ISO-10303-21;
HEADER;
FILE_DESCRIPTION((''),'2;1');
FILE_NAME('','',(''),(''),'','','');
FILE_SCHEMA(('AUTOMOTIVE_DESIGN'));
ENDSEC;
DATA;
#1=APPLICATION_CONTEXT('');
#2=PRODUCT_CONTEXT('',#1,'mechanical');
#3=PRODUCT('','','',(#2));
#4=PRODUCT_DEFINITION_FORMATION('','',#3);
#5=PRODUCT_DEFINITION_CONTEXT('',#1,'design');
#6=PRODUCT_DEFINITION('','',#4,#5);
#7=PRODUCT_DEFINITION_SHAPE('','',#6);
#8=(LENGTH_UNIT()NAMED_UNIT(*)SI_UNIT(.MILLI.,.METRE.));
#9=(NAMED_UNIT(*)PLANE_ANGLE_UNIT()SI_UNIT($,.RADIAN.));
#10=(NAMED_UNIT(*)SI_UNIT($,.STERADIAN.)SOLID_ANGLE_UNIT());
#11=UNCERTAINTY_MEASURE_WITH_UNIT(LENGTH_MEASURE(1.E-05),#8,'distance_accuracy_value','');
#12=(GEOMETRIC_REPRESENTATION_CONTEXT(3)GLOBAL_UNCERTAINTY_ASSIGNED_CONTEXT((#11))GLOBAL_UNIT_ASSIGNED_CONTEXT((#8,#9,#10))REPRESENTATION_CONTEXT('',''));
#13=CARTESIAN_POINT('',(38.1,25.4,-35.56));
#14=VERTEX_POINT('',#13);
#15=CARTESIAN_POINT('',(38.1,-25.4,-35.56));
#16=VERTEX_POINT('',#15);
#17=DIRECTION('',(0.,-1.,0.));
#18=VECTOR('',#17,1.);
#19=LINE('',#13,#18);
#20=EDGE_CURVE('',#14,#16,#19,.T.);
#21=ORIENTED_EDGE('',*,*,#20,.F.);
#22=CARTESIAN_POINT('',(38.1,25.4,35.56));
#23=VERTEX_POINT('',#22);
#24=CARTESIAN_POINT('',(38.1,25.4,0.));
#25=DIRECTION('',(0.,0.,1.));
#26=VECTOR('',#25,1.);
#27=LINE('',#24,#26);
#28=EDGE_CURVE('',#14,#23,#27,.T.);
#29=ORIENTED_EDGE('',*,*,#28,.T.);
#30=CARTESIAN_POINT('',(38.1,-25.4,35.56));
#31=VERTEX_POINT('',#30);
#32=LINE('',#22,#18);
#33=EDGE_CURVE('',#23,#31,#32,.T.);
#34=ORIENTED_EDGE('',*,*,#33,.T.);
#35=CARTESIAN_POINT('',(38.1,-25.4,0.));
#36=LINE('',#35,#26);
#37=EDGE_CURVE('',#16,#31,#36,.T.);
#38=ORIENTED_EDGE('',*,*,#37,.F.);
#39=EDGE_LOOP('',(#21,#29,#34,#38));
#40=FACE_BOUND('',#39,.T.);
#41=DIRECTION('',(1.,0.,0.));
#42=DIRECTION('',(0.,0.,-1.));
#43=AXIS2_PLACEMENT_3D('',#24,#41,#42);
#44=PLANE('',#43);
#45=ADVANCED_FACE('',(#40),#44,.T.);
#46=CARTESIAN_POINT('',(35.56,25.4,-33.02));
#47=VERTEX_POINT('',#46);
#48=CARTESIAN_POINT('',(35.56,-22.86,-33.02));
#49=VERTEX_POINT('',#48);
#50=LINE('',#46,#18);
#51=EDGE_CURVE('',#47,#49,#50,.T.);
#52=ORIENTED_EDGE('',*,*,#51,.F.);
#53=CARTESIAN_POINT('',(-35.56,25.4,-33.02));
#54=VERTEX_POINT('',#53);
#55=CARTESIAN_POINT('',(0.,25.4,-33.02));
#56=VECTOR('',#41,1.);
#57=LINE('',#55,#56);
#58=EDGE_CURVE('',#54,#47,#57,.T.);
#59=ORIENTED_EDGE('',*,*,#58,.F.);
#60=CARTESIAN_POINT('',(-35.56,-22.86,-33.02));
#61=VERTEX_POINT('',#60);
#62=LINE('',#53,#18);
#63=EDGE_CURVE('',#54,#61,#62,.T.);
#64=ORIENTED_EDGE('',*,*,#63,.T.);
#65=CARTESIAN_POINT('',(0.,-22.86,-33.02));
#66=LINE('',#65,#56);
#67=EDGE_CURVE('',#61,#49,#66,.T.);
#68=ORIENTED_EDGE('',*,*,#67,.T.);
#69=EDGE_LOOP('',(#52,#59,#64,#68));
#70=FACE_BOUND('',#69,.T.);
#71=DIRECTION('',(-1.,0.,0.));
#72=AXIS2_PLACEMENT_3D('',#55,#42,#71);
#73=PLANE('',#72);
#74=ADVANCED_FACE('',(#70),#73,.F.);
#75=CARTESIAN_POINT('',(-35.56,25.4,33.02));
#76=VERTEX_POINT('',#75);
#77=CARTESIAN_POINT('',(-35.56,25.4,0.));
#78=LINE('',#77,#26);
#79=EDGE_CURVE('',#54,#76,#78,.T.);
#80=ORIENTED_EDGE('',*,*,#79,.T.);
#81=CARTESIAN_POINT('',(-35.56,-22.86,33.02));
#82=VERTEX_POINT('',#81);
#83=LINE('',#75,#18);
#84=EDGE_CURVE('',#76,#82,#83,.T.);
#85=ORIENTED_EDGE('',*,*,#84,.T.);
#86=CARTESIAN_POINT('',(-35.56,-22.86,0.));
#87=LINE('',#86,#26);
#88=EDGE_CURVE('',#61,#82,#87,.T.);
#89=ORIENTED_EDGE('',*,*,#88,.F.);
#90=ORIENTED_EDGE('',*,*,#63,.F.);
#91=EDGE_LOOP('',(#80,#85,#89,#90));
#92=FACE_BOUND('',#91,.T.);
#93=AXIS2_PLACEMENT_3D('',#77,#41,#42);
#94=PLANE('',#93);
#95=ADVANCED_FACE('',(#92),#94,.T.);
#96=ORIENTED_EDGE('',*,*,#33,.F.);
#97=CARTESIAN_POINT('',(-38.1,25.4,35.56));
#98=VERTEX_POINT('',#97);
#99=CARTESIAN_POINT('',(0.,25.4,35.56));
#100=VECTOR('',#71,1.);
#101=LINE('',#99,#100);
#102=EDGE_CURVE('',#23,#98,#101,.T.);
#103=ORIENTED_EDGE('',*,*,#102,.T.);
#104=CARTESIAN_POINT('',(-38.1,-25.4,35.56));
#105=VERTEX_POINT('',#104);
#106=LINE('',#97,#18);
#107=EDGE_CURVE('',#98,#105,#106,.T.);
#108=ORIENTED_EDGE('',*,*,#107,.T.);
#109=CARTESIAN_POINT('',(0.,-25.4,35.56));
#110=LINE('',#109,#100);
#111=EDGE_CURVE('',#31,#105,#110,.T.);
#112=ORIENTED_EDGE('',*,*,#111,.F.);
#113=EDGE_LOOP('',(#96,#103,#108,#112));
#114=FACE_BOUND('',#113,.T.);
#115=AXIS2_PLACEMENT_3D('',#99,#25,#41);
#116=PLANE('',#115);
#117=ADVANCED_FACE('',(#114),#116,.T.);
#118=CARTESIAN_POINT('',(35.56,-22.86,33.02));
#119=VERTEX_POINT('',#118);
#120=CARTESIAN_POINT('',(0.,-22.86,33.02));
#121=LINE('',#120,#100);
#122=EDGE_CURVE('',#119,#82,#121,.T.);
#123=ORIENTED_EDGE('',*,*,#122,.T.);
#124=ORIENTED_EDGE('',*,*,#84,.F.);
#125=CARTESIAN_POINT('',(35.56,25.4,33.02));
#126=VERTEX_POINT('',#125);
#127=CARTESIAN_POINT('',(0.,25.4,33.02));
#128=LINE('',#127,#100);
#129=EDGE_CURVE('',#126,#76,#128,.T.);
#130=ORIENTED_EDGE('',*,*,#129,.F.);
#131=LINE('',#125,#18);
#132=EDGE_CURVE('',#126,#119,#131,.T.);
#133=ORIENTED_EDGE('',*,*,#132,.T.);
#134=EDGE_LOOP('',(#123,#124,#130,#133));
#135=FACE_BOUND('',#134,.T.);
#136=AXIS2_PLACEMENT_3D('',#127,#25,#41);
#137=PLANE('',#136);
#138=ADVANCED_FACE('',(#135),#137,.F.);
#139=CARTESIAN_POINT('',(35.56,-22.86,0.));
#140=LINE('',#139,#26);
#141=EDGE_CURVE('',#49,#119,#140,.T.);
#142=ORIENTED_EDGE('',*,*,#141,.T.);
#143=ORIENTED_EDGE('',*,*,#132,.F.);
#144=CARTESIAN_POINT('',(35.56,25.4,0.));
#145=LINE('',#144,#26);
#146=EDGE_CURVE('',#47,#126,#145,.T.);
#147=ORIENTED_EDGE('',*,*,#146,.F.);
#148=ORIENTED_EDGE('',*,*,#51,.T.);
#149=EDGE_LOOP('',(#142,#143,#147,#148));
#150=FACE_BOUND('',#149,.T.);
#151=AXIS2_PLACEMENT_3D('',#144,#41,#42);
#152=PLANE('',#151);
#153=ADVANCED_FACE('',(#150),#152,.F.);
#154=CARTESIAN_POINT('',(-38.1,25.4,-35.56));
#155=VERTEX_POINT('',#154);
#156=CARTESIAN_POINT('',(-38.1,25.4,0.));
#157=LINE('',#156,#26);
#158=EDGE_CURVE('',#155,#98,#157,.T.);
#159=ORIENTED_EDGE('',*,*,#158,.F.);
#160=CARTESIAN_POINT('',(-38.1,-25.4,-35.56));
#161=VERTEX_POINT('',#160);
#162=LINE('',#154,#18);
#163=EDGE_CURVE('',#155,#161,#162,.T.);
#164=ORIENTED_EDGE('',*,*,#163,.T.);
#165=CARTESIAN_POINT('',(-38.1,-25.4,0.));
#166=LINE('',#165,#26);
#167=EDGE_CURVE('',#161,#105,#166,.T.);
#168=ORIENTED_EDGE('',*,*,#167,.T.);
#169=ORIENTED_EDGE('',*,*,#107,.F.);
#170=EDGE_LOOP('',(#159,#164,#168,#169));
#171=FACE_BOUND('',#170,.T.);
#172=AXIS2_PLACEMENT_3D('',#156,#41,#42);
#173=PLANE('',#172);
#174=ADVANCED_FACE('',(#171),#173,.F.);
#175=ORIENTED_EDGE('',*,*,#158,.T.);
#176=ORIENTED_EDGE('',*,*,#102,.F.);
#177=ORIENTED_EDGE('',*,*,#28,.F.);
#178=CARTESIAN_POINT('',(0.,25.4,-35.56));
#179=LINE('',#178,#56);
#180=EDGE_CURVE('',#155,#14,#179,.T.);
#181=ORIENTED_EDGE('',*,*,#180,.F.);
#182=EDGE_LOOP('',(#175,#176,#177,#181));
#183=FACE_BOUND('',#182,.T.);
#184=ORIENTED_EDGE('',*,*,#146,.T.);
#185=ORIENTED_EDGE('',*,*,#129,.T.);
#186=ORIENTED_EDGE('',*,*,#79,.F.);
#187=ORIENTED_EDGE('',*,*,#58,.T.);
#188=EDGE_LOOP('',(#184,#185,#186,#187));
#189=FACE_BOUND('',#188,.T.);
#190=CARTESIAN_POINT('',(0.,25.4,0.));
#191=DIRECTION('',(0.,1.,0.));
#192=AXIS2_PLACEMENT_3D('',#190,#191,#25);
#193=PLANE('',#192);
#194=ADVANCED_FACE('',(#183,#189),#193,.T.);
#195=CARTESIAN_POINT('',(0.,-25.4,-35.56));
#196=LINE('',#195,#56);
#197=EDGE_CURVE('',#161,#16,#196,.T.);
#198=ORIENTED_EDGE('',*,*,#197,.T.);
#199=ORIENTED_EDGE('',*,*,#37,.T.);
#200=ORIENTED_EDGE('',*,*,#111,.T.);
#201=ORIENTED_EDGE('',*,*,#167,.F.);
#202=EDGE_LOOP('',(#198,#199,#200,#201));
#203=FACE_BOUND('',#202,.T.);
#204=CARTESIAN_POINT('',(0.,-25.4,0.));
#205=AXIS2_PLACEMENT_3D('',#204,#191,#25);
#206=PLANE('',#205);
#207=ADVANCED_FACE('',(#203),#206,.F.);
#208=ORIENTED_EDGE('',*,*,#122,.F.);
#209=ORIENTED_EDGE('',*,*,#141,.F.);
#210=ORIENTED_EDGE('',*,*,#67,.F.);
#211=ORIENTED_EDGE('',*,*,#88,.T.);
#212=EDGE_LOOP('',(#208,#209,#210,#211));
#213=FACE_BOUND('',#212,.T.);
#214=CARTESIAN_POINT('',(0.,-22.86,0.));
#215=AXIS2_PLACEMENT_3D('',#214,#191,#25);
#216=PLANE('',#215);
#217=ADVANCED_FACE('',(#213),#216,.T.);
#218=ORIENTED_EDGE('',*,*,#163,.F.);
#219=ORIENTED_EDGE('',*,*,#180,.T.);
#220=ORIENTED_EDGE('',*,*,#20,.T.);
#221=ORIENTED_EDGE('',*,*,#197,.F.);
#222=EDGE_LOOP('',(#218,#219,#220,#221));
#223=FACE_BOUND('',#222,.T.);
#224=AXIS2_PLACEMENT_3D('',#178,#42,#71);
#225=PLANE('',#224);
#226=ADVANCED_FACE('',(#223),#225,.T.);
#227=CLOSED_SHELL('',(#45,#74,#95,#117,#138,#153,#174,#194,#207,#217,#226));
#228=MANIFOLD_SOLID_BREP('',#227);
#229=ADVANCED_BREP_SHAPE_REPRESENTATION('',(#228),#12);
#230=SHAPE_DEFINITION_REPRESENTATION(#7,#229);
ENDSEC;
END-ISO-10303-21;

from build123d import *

# Parameters (mm, degrees)
SKETCH2_W           = 76.2
SKETCH2_H           = 71.12
BOSS_EXTRUDE1_DEPTH = 25.4
SHELL1_T            = -2.54


with BuildPart() as part:
    # Sketch2 → Boss-Extrude1 (new, symmetric)
    with BuildSketch(Plane(origin=(0, 0, 0), x_dir=(1, 0, 0), z_dir=(0, 1, 0))):
        Rectangle(SKETCH2_W, SKETCH2_H)
    extrude(amount=BOSS_EXTRUDE1_DEPTH, both=True)

    # Shell1
    shell1_openings = [part.faces().sort_by_distance(p)[0] for p in [
        (0, 25.4, 0),
    ]]
    offset(amount=SHELL1_T, openings=shell1_openings, kind=Kind.INTERSECTION)


solid = part.part
